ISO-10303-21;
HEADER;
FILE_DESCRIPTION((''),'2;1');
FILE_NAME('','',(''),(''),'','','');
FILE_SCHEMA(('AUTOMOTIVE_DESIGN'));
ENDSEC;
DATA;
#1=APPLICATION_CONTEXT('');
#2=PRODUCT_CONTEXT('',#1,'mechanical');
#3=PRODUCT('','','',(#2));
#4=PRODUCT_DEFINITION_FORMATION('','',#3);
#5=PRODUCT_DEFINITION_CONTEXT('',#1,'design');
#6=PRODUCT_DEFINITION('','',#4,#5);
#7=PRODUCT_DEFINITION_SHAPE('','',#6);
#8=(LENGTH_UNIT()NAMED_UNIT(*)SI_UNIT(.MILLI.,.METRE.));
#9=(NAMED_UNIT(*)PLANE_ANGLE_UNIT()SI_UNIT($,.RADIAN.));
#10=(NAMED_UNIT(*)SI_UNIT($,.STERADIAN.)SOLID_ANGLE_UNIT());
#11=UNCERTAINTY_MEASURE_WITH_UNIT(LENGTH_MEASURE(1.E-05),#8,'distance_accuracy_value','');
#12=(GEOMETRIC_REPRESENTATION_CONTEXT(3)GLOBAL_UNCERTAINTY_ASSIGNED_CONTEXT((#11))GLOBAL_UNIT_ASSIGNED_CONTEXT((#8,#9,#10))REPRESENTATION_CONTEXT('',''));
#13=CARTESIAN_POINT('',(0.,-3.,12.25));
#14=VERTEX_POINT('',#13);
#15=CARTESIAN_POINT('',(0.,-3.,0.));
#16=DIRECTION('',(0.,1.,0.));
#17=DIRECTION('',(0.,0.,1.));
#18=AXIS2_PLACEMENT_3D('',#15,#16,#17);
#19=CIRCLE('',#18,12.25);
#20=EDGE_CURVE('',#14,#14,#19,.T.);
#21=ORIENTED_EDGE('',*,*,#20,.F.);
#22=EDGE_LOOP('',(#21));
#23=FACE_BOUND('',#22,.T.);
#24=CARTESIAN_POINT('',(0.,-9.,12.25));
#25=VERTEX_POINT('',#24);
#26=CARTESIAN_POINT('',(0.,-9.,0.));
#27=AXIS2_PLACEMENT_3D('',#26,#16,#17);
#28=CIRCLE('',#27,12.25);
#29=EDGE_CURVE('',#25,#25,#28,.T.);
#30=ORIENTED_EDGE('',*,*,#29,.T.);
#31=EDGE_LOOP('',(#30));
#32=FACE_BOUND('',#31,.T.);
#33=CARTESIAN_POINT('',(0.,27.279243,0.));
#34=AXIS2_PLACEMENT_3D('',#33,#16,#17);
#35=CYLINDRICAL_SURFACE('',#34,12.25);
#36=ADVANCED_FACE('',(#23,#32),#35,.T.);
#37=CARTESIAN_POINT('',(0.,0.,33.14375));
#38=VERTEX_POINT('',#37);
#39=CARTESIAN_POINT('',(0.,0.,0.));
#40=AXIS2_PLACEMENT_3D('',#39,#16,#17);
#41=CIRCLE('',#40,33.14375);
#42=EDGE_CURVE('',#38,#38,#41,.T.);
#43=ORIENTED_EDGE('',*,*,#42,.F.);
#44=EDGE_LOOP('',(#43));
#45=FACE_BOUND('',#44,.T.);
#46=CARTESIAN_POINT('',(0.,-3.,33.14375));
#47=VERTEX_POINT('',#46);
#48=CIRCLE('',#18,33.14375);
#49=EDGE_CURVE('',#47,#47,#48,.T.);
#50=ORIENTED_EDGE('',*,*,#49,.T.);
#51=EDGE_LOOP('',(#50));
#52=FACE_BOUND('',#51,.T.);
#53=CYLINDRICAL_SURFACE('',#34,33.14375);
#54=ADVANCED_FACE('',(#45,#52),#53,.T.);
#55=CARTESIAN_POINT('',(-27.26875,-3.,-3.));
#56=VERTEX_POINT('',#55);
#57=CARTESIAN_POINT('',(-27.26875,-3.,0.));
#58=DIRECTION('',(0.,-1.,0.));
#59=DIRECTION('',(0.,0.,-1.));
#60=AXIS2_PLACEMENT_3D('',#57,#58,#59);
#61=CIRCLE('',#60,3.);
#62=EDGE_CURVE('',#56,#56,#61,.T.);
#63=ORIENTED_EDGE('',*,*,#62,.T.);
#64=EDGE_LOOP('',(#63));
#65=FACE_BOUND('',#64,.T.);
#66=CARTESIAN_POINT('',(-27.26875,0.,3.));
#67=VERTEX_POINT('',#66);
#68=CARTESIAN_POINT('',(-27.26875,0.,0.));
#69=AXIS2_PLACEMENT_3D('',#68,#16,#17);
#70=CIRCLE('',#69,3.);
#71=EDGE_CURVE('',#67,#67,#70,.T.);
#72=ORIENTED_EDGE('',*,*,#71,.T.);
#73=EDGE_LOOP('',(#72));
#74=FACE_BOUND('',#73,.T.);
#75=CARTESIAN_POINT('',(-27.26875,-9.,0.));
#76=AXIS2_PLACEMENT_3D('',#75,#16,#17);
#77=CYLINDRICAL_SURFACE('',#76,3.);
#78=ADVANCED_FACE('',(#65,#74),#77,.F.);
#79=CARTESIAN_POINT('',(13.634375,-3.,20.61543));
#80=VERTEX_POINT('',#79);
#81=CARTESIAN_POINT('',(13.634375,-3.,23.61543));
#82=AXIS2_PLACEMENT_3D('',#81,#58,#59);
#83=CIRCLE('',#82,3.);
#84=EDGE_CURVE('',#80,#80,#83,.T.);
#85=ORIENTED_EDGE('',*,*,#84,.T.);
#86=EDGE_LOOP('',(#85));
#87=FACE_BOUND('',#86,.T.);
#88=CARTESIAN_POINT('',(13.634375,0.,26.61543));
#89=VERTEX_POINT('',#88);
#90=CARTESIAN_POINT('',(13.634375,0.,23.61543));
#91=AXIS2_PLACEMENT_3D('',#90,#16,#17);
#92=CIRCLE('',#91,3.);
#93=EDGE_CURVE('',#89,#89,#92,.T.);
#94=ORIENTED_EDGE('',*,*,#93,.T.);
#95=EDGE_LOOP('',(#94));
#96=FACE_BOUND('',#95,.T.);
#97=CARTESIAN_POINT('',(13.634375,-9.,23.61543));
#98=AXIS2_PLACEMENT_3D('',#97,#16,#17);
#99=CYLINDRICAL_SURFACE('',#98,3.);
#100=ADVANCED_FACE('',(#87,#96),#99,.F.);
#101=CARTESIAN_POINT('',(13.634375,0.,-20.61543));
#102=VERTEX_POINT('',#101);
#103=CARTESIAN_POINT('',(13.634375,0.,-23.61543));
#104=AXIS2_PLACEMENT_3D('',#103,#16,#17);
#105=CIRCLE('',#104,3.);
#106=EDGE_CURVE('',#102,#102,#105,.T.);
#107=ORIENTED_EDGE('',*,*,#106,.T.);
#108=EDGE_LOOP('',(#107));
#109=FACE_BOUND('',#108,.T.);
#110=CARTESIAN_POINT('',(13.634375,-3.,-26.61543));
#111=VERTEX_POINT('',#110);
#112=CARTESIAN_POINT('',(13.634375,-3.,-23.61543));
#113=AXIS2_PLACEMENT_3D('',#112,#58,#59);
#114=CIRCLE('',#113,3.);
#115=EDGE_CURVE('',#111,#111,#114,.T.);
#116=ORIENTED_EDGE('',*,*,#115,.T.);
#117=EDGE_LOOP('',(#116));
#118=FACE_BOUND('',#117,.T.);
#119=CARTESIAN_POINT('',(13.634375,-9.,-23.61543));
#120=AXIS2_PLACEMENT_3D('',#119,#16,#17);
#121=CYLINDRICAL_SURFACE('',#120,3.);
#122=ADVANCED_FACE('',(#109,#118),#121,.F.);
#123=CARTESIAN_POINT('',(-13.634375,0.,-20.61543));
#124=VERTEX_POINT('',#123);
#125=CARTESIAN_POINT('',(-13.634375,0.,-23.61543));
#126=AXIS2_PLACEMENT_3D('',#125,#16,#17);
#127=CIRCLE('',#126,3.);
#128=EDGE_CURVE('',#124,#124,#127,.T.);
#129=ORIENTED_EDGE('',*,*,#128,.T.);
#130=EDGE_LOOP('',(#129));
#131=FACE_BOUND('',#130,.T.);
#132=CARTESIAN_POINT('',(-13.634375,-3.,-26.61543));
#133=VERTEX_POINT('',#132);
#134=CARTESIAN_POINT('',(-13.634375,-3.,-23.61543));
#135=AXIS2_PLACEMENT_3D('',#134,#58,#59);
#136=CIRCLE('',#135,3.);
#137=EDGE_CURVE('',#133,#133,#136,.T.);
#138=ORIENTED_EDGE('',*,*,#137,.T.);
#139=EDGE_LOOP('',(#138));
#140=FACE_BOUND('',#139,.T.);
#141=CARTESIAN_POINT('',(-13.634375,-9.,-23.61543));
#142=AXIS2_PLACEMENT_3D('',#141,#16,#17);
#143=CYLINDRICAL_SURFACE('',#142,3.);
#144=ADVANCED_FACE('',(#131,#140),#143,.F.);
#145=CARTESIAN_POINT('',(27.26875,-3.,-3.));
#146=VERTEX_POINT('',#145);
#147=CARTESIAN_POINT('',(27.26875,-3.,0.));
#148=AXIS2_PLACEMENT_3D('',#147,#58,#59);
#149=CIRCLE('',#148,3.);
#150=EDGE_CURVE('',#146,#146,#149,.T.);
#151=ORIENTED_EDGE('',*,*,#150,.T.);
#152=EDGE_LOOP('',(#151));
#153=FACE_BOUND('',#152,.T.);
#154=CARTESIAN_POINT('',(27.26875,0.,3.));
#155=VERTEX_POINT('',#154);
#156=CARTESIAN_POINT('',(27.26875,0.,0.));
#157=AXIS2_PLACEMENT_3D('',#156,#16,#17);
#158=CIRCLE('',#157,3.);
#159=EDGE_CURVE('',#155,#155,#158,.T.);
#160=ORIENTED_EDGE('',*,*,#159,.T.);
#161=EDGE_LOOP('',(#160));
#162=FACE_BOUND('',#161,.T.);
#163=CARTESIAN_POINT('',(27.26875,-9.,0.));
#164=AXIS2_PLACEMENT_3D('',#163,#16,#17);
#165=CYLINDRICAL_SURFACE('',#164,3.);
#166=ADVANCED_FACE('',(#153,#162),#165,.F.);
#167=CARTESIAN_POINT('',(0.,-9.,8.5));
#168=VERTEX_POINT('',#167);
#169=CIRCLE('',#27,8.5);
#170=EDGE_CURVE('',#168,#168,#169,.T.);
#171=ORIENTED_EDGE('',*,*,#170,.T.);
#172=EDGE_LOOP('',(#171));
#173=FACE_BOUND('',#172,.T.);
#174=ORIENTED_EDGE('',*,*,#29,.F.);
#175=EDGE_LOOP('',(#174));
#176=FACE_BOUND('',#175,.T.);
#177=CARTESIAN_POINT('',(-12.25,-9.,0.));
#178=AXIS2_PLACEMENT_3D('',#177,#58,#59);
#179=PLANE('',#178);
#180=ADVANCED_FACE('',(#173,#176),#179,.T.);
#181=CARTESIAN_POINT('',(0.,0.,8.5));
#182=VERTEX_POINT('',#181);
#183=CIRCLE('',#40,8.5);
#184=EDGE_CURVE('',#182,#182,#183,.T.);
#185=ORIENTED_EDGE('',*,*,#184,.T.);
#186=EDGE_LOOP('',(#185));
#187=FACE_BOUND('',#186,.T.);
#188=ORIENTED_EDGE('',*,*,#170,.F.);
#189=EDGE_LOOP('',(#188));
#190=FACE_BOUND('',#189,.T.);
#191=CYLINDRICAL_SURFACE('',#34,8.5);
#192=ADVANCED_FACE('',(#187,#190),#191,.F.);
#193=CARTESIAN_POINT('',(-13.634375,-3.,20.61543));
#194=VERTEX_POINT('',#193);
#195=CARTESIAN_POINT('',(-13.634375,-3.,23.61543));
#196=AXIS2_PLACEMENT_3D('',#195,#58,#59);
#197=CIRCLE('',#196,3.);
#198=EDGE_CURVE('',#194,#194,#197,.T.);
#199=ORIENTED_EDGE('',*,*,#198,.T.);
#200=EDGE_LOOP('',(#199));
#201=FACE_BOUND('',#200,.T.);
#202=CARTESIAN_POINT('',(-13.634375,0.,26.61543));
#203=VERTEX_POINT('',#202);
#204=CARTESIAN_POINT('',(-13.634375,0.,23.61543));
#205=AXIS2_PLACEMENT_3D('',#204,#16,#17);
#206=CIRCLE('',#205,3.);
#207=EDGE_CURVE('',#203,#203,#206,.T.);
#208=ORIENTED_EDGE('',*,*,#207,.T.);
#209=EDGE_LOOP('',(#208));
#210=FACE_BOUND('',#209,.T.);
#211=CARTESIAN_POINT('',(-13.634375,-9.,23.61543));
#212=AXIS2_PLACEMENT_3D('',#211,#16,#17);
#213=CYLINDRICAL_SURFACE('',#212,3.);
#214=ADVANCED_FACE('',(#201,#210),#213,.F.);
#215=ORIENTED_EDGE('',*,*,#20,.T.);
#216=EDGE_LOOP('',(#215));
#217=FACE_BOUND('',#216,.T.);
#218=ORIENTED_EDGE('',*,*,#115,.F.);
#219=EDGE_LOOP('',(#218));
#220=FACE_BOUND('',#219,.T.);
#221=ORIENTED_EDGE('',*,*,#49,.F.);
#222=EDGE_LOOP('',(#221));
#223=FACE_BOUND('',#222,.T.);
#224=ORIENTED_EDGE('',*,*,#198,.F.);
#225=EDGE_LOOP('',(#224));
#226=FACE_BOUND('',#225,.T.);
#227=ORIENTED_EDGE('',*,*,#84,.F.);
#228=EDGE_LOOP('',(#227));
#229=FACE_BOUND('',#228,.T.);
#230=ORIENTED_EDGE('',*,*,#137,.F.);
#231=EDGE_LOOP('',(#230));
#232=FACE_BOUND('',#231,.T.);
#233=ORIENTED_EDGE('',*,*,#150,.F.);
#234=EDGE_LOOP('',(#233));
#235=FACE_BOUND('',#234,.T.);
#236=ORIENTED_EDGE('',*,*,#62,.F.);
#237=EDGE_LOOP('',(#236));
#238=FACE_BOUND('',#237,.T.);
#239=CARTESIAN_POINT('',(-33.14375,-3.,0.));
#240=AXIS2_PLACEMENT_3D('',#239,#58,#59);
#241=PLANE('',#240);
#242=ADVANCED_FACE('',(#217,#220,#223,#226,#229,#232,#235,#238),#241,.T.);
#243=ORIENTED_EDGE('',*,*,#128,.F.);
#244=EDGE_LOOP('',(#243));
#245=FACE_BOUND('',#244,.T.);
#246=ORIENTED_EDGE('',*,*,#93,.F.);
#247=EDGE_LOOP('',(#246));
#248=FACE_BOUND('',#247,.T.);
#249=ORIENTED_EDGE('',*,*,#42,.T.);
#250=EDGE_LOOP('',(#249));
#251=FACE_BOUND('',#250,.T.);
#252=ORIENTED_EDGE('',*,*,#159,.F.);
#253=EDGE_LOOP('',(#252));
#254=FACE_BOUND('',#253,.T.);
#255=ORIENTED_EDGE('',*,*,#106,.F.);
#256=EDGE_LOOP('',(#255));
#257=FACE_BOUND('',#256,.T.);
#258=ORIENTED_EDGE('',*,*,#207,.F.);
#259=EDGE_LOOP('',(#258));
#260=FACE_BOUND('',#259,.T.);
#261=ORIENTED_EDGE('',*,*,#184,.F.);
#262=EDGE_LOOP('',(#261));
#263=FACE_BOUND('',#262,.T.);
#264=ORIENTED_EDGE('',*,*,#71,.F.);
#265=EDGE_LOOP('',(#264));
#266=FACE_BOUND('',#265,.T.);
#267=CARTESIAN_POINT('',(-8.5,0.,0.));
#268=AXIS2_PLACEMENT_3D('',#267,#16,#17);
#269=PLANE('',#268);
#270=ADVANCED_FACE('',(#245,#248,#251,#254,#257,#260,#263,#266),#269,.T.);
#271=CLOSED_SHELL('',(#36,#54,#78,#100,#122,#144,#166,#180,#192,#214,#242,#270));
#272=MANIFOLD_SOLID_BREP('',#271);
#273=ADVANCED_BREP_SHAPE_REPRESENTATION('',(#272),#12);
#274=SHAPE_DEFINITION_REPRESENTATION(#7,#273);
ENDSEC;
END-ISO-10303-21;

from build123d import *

# Parameters (mm, degrees)
SKETCH5_R          = 3
CUT_EXTRUDE1_DEPTH = 48.728569307


with BuildPart() as part:
    # Sketch4 → Revolve1 (revolve)
    with BuildSketch(Plane.XY, mode=Mode.PRIVATE) as revolve1_sk:
        Polygon((-8.5, 0), (-33.14375, 0), (-33.14375, -3), (-12.25, -3), (-12.25, -9), (-8.5, -9), align=None)
    revolve(revolve1_sk.sketch.rotate(Axis((0, 27.279243053, 0), (0, -1, 0)), 270), axis=Axis((0, 27.279243053, 0), (0, -1, 0)))

    # Sketch5 → Cut-Extrude1 (cut, through all)
    with BuildSketch(Plane(origin=(0, 0, 0), x_dir=(1, 0, 0), z_dir=(0, 1, 0))):
        with Locations(Location((-27.26875, 0, 0), (0, 0, 270))):
            Circle(SKETCH5_R)
        with Locations(Location((-13.634375, 23.615430229, 0), (0, 0, 270))):
            Circle(SKETCH5_R)
        with Locations(Location((13.634375, 23.615430229, 0), (0, 0, 270))):
            Circle(SKETCH5_R)
        with Locations(Location((27.26875, 0, 0), (0, 0, 270))):
            Circle(SKETCH5_R)
        with Locations(Location((13.634375, -23.615430229, 0), (0, 0, 270))):
            Circle(SKETCH5_R)
        with Locations(Location((-13.634375, -23.615430229, 0), (0, 0, 270))):
            Circle(SKETCH5_R)
    extrude(amount=-CUT_EXTRUDE1_DEPTH, mode=Mode.SUBTRACT)


solid = part.part
